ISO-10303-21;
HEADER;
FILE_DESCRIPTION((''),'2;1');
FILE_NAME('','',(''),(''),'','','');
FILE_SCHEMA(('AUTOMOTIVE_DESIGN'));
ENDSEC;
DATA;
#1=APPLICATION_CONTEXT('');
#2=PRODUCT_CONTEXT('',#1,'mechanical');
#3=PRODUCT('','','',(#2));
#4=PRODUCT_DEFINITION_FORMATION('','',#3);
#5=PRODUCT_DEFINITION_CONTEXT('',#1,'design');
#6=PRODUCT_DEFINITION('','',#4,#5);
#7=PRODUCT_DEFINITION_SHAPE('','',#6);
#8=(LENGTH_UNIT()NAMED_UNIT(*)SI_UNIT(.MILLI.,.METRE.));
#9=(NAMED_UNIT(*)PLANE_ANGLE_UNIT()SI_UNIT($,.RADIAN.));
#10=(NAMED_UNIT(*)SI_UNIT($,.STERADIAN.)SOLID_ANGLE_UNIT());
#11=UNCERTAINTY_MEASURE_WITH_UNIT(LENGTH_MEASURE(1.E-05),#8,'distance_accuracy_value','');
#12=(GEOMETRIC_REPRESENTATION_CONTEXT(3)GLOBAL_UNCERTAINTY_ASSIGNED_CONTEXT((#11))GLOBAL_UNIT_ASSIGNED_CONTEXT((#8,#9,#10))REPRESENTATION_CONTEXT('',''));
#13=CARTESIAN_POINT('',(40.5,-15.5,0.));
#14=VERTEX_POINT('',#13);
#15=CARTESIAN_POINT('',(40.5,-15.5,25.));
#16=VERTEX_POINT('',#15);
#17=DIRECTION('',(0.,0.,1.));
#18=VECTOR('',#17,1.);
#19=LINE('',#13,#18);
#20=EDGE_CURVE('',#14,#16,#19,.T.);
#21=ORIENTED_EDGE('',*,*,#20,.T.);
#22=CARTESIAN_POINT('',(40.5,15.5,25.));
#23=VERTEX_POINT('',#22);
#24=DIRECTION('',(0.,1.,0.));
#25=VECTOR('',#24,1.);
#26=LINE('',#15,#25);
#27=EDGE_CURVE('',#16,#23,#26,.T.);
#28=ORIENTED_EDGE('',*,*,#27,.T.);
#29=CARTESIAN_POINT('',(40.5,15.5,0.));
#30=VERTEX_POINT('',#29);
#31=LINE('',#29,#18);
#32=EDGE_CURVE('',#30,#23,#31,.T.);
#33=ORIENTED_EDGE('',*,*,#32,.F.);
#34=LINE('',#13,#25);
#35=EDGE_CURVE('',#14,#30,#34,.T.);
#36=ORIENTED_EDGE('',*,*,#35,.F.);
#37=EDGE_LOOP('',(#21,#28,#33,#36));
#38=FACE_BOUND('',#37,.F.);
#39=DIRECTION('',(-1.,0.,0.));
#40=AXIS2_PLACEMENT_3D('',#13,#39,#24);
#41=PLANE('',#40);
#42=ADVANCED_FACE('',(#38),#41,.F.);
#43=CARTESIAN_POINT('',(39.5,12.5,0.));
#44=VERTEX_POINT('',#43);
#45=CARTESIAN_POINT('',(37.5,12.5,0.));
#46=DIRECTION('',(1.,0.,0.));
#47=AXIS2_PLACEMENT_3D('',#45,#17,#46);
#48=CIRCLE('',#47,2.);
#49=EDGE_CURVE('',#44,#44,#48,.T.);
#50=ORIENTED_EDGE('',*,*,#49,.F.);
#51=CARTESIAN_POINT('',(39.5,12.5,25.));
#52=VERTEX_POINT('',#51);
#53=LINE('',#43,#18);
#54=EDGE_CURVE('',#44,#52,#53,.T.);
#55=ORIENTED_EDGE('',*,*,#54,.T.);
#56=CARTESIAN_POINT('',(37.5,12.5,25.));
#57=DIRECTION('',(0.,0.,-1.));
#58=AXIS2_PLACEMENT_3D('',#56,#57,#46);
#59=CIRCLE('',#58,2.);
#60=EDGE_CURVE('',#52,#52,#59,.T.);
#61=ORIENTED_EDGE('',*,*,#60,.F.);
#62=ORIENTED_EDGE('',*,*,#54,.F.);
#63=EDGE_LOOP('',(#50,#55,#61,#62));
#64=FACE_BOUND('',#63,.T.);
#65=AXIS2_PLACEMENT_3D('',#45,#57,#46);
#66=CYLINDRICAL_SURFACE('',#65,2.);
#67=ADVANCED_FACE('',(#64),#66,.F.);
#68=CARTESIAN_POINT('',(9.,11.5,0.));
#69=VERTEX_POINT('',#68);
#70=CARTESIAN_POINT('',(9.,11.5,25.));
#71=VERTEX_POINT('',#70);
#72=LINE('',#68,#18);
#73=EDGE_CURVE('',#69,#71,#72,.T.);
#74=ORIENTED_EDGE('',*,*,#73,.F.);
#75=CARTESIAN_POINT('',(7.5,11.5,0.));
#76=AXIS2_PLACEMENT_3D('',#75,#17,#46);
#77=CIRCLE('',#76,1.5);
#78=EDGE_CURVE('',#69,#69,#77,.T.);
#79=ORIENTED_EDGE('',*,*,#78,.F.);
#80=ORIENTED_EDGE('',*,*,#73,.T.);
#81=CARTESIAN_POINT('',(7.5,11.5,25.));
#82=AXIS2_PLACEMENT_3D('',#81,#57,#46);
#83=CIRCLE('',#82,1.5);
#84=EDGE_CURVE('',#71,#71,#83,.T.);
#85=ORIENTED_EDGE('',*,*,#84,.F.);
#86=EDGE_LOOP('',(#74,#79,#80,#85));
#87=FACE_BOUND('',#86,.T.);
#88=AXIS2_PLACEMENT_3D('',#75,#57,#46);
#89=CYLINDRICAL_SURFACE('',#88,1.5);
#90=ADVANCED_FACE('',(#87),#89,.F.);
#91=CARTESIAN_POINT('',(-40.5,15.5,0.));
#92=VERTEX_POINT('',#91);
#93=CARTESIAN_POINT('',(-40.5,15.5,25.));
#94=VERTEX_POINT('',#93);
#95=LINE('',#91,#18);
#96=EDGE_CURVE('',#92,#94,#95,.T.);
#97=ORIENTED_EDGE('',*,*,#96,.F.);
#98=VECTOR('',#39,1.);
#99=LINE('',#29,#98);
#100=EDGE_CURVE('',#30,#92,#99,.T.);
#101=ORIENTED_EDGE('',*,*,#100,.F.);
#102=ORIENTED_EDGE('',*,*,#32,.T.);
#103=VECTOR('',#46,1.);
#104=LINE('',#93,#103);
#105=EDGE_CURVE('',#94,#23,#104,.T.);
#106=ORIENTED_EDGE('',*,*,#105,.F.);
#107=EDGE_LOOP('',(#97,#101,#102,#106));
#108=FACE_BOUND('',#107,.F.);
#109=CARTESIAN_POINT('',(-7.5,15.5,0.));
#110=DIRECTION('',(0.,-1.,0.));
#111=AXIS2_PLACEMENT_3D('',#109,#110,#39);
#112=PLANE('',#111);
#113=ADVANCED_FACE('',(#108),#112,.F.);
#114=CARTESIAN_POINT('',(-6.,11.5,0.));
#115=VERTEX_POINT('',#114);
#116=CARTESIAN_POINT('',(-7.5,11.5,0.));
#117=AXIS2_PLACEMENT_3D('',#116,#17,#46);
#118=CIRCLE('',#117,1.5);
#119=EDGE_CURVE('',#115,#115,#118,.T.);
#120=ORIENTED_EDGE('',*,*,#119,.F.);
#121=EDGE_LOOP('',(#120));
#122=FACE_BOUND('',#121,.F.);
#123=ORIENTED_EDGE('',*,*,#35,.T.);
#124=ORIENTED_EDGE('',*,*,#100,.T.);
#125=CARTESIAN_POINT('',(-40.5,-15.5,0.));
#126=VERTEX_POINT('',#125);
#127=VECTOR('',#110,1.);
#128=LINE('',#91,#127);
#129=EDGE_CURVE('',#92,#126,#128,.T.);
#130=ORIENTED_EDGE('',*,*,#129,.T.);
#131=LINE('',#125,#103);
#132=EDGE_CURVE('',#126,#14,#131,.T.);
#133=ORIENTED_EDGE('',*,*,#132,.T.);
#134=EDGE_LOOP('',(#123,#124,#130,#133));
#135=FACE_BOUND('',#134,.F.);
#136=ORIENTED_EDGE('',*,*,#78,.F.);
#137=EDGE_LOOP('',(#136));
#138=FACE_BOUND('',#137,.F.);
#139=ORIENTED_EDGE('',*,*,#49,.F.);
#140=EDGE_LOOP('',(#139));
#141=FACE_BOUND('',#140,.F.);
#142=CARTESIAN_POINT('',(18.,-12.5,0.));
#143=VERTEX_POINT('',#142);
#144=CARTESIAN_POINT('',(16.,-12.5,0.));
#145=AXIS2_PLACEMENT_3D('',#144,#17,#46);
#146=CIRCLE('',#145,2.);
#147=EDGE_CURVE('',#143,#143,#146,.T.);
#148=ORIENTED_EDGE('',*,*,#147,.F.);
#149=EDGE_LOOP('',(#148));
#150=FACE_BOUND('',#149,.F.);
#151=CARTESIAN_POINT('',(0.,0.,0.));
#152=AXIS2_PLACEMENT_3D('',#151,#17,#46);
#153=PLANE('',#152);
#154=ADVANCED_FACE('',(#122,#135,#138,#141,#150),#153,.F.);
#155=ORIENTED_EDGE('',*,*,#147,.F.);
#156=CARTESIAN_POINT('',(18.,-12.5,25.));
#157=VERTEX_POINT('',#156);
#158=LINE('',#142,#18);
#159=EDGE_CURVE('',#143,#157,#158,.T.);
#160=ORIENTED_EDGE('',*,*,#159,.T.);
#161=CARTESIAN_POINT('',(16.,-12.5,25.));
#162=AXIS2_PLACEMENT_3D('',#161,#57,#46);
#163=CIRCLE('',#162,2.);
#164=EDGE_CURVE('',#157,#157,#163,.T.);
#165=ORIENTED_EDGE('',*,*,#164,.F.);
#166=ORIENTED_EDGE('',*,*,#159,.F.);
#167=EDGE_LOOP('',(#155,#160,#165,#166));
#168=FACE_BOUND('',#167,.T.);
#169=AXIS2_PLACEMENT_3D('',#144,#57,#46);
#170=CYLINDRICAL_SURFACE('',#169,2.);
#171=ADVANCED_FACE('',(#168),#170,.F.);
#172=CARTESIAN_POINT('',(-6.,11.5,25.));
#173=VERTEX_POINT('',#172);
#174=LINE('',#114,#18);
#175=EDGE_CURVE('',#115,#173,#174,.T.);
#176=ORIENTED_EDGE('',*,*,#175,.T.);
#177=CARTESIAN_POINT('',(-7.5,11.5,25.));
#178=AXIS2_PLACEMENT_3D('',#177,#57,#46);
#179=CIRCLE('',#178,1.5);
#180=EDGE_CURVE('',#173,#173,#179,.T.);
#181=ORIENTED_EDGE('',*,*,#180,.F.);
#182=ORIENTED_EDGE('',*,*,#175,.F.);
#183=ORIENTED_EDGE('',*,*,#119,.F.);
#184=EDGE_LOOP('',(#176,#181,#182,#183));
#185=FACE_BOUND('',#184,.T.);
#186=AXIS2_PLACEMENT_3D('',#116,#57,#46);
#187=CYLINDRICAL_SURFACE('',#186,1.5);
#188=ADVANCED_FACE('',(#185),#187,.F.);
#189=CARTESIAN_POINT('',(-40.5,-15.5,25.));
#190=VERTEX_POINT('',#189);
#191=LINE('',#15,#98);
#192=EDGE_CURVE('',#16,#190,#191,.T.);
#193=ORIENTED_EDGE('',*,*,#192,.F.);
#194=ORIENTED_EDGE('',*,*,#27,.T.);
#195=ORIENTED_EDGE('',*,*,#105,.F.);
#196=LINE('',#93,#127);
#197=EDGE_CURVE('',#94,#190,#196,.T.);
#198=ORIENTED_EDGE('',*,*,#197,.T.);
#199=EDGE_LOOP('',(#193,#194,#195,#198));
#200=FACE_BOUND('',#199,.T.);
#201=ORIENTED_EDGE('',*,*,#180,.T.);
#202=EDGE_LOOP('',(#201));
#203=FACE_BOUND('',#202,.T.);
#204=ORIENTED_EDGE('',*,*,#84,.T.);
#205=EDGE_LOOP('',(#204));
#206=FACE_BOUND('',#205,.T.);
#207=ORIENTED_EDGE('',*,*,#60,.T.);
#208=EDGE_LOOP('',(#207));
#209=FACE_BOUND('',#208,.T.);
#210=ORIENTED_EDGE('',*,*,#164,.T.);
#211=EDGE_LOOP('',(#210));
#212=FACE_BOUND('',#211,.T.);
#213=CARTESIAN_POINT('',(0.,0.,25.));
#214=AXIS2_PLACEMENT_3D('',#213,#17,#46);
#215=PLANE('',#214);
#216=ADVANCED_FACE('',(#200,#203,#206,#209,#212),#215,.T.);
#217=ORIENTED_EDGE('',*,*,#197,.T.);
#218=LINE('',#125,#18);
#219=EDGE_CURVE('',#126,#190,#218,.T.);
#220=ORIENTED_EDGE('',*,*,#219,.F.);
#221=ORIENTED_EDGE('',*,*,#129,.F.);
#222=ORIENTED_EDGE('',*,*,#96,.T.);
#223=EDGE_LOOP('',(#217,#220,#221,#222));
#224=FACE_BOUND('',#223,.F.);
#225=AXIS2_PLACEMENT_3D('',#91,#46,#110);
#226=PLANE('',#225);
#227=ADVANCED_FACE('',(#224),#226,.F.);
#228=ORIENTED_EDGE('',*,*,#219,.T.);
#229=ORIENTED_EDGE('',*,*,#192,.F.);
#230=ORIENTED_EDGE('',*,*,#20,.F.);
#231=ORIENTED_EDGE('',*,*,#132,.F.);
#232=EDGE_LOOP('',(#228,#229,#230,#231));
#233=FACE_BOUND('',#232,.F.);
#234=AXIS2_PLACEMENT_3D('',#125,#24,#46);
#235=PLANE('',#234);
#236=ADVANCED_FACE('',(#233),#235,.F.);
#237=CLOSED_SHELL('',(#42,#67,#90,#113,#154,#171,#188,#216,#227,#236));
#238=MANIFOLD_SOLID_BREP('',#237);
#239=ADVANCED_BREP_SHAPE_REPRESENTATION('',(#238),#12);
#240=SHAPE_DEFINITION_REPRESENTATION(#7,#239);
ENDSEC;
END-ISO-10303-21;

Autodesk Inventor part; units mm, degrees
ref_plane "YZ Plane" through (0, 0, 0) normal (1, 0, 0) x (0, 1, 0)
ref_plane "XZ Plane" through (0, 0, 0) normal (0, 1, 0) x (-1, 0, 0)
ref_plane "XY Plane" through (0, 0, 0) normal (0, 0, 1) x (1, 0, 0)
sketch "Sketch1" plane through (0, 0, 0) normal (0, 0, 1) x (1, 0, 0)
  line L0 (-40.5, -15.5) -> (40.5, -15.5)
  line L1 (40.5, -15.5) -> (40.5, 15.5)
  line L2 (40.5, 15.5) -> (-40.5, 15.5)
  line L3 (-40.5, 15.5) -> (-40.5, -15.5)
  line L4 (-40.5, -15.5) -> (40.5, 15.5) construction
  line L5 (40.5, -15.5) -> (-40.5, 15.5) construction
  line L6 (37.5, 15.5) -> (37.5, -15.5)
  circle A0 centre (37.5, 12.5) radius 2
  line L7 (16, -15.5) -> (16, 15.5)
  circle A1 centre (16, -12.5) radius 2
  line L8 (7.5, -15.5) -> (7.5, 15.5)
  circle A2 centre (7.5, 11.5) radius 1.5
  line L9 (-7.5, -15.5) -> (-7.5, 15.5)
  circle A3 centre (-7.5, 11.5) radius 1.5
  point P0 (0, 0)
  dimension "d0" = 3
  dimension "d1" = 81
  dimension "d2" = 31
  dimension "d3" = 4
  dimension "d4" = 3
  dimension "d5" = 24.5
  dimension "d6" = 4
  dimension "d7" = 3
  dimension "d8" = 30
  dimension "d9" = 3
  dimension "d11" = 4
  dimension "d12" = 15
  dimension "d13" = 3
extrude "Extrusion1" add sketch "Sketch1" along normal blind 25 contours L3 L2 L9 A3 L0 | L9 A3 L2 L8 A2 L0 | L8 A2 L2 L7 A1 L0 | L7 A1 L2 L6 A0 L0 | L6 A0 L2 L1 L0
properties part number "Bluepill" material "Silver"
